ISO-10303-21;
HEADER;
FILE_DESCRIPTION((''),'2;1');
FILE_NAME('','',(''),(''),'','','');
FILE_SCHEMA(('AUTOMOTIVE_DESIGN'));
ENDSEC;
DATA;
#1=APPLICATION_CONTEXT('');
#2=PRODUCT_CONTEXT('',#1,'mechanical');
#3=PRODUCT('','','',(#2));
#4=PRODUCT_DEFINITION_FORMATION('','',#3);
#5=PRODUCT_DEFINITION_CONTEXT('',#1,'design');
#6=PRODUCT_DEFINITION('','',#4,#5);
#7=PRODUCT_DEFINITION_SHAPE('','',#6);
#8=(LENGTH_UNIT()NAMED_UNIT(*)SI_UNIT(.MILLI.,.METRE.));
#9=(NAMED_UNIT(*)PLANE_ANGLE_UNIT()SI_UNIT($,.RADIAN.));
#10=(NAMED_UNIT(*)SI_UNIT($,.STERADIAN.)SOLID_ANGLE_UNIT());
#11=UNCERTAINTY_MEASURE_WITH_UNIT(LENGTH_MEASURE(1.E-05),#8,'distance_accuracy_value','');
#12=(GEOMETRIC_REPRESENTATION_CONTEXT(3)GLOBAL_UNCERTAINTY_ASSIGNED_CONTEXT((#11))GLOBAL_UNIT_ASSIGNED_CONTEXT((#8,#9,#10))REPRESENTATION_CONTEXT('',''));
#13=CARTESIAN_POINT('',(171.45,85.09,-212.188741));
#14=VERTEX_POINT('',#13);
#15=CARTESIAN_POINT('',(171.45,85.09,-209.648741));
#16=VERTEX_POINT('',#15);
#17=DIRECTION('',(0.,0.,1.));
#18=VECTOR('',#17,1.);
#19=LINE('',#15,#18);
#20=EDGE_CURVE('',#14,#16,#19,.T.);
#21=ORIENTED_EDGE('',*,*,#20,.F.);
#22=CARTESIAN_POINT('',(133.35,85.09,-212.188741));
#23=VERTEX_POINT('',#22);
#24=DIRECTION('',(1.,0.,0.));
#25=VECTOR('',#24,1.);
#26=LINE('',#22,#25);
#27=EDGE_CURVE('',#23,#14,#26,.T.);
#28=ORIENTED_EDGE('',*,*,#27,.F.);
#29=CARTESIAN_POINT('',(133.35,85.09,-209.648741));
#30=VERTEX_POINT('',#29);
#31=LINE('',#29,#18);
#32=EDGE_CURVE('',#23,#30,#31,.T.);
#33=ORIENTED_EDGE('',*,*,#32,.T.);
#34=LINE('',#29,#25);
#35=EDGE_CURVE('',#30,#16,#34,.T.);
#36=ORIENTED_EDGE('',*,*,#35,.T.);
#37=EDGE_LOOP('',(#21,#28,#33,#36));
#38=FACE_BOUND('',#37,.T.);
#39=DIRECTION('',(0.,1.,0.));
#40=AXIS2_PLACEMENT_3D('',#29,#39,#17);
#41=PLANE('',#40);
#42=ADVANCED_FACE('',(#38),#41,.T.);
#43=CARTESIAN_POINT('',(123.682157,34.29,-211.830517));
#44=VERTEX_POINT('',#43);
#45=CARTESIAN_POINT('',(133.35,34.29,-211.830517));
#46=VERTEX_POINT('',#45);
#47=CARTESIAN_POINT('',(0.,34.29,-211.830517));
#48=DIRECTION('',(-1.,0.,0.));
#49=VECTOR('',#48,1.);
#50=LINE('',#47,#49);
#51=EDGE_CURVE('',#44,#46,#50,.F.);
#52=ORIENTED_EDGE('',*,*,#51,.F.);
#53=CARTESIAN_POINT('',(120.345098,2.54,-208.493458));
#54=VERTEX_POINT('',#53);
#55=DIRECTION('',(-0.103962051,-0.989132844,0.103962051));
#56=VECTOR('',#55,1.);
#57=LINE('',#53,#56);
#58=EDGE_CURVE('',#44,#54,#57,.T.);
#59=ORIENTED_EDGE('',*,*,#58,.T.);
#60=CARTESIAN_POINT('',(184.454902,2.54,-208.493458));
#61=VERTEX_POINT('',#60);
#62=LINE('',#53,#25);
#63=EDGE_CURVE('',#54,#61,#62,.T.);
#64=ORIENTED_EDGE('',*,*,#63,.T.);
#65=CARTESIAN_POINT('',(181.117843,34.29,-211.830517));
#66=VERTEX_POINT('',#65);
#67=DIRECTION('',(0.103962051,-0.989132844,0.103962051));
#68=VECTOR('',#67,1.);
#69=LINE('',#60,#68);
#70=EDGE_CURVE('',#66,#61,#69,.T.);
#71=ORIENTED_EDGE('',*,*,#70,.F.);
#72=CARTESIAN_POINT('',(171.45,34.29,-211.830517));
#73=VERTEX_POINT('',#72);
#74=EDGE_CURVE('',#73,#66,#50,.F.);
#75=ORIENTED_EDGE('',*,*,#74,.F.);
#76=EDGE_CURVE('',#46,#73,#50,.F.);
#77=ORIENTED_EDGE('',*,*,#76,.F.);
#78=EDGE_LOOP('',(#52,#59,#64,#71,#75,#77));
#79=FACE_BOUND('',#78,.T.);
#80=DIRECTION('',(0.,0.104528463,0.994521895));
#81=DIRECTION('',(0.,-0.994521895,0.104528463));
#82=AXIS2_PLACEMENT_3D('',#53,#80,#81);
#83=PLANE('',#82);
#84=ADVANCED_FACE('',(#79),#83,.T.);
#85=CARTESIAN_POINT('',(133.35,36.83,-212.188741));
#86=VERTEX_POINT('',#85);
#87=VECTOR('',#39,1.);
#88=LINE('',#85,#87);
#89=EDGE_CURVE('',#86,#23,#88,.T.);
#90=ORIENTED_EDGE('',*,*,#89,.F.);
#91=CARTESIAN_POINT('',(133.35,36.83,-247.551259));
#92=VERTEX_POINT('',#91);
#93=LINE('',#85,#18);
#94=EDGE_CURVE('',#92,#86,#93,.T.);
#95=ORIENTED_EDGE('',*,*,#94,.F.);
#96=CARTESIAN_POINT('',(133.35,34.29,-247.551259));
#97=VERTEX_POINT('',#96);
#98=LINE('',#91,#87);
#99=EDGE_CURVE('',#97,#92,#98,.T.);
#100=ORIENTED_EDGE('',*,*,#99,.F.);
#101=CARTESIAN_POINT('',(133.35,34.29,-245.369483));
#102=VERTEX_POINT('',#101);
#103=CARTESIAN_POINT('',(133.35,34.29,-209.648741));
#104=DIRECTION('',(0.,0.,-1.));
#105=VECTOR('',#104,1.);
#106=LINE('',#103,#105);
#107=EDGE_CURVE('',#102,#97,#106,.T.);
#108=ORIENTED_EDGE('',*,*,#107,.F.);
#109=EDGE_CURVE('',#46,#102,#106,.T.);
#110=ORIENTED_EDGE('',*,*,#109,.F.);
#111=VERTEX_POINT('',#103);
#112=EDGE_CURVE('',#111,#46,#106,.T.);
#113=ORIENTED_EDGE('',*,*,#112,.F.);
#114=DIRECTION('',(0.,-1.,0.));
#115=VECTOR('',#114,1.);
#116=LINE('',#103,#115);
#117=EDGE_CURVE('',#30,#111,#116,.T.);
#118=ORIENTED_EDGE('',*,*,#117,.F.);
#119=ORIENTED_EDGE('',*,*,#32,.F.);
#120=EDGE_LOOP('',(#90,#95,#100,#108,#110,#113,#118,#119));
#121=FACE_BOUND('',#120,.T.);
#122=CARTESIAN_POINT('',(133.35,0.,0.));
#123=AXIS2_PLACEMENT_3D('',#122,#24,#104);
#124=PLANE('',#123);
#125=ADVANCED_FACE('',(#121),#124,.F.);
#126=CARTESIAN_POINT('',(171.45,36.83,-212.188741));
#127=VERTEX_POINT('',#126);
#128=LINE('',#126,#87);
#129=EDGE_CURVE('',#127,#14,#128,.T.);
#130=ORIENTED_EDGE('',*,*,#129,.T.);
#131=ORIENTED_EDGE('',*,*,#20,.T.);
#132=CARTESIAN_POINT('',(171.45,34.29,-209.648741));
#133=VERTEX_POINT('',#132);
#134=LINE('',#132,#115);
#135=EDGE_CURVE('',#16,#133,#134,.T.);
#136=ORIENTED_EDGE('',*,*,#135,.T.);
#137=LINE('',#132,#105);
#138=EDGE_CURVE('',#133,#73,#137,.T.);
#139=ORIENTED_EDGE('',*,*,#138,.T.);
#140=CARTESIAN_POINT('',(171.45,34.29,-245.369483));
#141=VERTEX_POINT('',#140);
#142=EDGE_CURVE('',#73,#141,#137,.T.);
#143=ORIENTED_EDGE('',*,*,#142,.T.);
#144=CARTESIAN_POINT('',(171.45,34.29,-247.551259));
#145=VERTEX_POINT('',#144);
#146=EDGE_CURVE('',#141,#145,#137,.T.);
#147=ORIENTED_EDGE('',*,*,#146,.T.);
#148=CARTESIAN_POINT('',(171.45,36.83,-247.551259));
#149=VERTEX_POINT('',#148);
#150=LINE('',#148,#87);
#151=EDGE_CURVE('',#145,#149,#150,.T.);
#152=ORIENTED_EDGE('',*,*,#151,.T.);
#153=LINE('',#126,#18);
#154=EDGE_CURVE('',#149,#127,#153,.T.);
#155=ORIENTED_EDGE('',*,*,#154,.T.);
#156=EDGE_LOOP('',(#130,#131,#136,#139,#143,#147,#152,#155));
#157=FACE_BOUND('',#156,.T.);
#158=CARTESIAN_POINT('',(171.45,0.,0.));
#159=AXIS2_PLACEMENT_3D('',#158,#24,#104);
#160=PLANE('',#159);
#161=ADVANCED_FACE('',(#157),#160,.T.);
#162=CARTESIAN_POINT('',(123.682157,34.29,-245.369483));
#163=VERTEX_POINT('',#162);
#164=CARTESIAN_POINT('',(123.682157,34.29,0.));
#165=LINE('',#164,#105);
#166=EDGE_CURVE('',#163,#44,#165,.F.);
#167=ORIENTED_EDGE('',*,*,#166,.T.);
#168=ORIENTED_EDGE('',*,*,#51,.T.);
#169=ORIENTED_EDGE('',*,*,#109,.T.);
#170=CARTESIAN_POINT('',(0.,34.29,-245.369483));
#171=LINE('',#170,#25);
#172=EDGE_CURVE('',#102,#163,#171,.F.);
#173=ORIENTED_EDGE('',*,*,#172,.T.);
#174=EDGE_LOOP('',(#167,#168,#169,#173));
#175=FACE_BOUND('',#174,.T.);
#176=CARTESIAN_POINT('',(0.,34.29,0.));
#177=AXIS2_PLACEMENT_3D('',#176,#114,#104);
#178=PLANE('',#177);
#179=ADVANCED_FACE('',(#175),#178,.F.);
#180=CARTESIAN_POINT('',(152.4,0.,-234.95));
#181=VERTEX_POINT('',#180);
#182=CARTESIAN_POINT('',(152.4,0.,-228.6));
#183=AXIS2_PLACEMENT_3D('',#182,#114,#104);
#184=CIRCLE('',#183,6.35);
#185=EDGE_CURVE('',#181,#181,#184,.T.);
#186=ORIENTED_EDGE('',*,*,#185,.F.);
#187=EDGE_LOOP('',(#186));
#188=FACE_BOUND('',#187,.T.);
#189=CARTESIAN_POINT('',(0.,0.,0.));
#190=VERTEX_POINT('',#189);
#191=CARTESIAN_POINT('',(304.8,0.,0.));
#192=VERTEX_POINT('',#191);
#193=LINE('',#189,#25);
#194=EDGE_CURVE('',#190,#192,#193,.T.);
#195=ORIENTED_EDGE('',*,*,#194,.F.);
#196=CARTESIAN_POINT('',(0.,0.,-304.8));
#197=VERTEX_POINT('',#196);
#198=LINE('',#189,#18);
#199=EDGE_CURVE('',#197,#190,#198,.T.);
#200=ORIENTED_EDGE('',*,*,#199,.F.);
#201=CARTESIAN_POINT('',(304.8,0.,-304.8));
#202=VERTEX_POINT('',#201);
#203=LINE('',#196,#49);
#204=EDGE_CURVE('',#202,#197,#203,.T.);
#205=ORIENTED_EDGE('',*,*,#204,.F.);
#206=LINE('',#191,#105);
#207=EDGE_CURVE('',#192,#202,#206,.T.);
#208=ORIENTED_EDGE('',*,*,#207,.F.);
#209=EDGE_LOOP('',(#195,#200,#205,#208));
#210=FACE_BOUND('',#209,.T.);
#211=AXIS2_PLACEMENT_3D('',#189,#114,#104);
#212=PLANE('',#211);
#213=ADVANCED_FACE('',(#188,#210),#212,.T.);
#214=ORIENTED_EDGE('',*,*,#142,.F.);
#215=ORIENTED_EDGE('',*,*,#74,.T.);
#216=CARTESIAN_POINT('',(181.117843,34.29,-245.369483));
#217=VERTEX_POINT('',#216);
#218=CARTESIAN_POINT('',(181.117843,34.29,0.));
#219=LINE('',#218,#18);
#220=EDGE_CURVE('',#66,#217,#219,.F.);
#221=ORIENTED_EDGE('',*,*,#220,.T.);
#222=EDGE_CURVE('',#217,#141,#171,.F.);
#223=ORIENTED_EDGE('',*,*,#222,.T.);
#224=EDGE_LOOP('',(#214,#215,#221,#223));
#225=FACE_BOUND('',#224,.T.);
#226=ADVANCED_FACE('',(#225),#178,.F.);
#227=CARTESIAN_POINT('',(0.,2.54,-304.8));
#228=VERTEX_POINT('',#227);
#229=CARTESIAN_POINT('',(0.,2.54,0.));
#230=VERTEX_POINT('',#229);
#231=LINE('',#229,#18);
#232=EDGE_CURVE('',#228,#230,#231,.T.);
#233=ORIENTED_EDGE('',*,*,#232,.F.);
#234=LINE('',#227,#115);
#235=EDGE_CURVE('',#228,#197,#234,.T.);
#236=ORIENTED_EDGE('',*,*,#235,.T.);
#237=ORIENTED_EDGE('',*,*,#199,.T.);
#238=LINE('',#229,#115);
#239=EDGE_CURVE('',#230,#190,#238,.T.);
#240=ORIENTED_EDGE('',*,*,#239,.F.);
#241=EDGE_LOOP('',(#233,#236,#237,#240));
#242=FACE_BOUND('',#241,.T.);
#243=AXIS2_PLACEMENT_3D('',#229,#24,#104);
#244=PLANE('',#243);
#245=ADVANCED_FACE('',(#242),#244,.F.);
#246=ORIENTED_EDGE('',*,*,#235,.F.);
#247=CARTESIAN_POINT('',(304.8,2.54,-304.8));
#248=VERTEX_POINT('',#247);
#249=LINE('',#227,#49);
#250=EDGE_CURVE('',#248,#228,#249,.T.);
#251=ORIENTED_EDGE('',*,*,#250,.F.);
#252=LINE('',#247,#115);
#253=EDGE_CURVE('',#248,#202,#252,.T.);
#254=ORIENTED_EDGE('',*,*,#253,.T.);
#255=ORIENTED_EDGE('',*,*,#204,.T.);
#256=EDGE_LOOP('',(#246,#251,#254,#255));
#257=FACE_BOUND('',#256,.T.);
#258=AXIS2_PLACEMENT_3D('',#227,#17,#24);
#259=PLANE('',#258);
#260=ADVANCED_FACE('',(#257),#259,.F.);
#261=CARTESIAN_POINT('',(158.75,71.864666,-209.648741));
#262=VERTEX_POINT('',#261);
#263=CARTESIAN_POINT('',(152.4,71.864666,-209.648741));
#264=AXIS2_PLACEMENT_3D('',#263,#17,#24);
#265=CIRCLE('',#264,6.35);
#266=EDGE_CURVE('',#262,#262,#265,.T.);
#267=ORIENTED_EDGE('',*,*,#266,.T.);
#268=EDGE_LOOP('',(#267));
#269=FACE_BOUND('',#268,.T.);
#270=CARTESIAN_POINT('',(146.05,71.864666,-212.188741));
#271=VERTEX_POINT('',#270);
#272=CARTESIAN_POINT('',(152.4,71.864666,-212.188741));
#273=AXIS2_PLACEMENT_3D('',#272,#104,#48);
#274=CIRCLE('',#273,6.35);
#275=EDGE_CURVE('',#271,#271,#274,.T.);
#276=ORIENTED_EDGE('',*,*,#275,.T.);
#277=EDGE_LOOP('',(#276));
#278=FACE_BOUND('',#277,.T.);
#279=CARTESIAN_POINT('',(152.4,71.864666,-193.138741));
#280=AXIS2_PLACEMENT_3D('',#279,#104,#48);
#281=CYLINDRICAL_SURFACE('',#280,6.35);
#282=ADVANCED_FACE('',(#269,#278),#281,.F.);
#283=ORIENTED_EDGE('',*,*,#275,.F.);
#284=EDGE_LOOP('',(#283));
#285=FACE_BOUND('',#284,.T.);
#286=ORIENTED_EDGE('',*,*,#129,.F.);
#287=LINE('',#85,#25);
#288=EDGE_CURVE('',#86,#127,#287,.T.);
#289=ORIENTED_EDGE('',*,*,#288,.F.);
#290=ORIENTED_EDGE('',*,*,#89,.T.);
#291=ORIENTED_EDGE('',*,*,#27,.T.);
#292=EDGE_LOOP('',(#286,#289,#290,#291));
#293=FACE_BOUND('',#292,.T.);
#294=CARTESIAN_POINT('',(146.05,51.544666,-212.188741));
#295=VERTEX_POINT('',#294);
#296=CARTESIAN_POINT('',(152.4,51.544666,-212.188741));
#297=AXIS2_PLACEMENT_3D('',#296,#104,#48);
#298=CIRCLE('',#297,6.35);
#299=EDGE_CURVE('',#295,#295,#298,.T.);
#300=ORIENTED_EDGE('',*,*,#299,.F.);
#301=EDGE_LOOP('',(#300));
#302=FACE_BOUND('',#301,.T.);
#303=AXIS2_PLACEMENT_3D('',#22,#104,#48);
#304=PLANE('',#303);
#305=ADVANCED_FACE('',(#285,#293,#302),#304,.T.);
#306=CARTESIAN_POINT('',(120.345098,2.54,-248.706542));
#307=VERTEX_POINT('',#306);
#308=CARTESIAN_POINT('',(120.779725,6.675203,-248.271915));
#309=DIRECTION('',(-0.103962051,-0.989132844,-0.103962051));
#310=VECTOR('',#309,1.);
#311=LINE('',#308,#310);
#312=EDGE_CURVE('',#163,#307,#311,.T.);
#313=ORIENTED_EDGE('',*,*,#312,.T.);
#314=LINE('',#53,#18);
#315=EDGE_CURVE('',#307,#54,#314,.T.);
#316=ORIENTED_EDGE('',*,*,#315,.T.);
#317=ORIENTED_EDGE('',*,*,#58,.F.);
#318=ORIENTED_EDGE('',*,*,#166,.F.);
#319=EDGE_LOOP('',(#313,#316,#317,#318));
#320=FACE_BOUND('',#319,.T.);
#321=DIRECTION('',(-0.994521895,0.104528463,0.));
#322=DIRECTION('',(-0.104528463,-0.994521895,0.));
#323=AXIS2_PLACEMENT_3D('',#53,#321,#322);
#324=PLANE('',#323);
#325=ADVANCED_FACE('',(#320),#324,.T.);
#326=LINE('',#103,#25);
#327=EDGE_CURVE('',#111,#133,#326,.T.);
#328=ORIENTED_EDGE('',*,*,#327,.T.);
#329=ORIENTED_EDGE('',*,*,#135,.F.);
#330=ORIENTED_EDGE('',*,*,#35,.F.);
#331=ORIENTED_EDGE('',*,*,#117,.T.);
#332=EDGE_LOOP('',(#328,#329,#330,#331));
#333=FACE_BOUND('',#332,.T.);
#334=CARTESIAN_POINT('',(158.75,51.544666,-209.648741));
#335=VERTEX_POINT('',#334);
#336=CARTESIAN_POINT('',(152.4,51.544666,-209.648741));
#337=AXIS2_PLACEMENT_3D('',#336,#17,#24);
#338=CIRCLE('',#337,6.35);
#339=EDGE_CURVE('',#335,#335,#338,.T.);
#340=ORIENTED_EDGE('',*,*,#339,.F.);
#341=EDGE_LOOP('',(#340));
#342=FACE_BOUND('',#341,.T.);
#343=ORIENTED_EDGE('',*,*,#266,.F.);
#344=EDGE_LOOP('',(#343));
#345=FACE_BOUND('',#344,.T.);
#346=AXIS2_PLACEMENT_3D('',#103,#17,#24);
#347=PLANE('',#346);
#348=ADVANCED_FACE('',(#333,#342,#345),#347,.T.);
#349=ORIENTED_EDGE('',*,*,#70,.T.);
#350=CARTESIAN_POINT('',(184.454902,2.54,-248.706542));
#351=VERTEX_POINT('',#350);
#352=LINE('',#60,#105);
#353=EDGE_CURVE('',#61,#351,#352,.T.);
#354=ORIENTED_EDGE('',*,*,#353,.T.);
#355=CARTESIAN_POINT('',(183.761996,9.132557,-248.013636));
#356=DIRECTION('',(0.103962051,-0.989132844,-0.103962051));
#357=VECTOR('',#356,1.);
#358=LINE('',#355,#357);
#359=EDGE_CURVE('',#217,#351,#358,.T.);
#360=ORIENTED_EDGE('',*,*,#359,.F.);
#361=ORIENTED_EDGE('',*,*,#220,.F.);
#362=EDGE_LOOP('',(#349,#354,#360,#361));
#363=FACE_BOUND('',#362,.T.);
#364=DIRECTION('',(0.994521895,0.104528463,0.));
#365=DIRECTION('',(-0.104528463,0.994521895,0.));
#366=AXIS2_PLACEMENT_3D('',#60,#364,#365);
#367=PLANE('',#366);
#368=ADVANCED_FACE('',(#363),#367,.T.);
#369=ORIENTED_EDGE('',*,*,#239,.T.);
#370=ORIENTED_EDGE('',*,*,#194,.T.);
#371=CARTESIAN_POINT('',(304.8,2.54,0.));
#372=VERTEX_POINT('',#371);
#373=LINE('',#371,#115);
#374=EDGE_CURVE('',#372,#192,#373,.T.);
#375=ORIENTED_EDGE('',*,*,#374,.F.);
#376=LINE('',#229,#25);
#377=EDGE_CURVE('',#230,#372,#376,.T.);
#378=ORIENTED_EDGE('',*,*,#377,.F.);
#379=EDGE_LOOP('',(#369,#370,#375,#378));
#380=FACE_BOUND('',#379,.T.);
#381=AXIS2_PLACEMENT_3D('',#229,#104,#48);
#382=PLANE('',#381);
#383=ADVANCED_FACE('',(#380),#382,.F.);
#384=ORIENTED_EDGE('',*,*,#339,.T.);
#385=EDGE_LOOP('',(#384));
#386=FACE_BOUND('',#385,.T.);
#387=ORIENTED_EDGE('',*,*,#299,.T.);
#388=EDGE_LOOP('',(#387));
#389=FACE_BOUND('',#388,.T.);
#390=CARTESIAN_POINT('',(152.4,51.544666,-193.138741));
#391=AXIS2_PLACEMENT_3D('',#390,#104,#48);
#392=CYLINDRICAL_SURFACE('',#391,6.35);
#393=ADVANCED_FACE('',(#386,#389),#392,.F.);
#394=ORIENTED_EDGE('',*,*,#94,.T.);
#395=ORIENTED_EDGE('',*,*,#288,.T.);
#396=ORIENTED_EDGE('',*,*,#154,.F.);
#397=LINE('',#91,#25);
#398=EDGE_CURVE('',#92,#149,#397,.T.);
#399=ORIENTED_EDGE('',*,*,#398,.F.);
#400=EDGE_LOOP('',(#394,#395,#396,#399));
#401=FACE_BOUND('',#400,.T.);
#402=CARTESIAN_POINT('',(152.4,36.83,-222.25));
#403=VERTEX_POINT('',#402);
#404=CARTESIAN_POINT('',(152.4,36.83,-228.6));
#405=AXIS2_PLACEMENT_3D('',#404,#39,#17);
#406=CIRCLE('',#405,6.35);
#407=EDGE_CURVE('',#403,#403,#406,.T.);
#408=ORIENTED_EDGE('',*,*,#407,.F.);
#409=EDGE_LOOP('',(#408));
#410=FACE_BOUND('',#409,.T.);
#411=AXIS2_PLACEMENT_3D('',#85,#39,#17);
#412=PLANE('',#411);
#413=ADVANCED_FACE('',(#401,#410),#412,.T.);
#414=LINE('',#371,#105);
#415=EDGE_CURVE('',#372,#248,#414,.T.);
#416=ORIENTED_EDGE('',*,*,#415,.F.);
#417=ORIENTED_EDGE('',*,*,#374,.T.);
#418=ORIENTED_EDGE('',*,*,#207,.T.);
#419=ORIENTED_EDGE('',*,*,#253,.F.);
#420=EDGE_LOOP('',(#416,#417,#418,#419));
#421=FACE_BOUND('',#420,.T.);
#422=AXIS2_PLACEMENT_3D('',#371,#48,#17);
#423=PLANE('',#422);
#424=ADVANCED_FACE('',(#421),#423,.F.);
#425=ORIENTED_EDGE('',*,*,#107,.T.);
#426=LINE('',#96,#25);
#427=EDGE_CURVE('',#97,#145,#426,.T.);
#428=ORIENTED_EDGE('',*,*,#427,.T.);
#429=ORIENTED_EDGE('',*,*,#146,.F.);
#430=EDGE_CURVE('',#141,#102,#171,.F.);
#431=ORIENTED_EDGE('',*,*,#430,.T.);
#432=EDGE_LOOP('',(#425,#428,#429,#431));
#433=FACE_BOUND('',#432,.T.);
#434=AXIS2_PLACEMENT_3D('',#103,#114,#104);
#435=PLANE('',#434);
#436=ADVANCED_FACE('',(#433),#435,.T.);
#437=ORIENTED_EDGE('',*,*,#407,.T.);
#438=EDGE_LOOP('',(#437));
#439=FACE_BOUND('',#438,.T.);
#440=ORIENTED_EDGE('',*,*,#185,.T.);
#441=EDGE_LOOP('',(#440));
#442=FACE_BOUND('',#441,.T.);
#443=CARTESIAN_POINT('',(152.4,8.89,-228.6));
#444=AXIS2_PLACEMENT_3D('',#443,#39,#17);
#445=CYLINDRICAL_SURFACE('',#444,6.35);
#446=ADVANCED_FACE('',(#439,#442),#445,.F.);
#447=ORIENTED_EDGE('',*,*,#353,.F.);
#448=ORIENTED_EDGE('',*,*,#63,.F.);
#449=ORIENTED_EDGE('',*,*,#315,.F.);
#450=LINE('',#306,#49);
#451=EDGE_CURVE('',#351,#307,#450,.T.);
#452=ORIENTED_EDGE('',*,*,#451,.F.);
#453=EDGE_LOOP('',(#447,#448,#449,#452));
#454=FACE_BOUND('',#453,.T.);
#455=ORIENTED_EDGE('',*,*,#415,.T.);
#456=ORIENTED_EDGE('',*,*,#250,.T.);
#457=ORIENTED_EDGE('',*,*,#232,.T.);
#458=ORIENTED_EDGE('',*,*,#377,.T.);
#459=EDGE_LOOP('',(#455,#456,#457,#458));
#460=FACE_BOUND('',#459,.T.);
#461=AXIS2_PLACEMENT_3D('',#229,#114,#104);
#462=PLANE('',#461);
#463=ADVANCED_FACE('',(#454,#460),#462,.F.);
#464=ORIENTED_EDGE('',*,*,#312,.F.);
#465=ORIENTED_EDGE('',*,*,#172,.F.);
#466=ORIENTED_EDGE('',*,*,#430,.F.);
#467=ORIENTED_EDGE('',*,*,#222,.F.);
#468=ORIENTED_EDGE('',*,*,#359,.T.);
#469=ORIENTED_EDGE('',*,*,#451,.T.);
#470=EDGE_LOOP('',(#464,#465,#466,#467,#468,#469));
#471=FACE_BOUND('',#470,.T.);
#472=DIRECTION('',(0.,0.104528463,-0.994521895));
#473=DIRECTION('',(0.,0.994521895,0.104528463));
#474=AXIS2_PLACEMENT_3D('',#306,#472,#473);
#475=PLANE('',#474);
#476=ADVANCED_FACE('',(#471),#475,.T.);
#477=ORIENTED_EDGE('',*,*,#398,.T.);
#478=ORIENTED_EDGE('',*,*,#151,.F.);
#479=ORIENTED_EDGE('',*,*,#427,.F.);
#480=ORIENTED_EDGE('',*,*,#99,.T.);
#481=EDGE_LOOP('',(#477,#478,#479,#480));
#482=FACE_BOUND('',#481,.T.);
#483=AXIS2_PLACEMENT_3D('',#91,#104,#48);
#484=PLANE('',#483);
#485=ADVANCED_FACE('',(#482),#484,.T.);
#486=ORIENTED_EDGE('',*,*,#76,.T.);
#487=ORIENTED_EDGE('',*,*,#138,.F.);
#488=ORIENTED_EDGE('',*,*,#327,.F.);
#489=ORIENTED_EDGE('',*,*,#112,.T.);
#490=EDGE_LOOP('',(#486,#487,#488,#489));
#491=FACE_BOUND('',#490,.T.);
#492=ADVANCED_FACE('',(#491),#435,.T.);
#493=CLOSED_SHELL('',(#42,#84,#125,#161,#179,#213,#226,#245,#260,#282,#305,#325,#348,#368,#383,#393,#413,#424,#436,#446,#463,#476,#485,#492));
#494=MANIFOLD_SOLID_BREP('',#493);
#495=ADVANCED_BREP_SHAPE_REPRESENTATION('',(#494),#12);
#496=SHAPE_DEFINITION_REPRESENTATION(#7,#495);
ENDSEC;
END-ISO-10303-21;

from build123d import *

# Parameters (mm, degrees)
SKETCH1_W                = 304.8
SKETCH1_H                = 304.8
BOSS_EXTRUDE1_DEPTH      = 2.54
SKETCH2_W                = 64.109804122
SKETCH2_H                = 40.213084064
BOSS_EXTRUDE2_DEPTH      = 31.75
BOSS_EXTRUDE2_TAPER      = 6
SKETCH3_R                = 6.35
CUT_EXTRUDE1_DEPTH       = 25.4
BOSS_EXTRUDE3_DEPTH      = 19.05
BOSS_EXTRUDE3_DEPTH_BACK = 19.05
SKETCH5_R                = 6.35
CUT_EXTRUDE2_DEPTH       = 50.8
SKETCH6_R                = 6.35
CUT_EXTRUDE3_DEPTH       = 19.05


with BuildPart() as part:
    # Sketch1 → Boss-Extrude1 (new body)
    with BuildSketch(Plane(origin=(0, 0, 0), x_dir=(1, 0, 0), z_dir=(0, 1, 0))):
        with Locations((152.4, 152.4)):
            Rectangle(SKETCH1_W, SKETCH1_H)
    extrude(amount=BOSS_EXTRUDE1_DEPTH)

    # Sketch2 → Boss-Extrude2 (add)
    with BuildSketch(Plane(origin=(0, 2.54, 0), x_dir=(1, 0, 0), z_dir=(0, 1, 0))):
        with Locations((152.4, 228.6)):
            Rectangle(SKETCH2_W, SKETCH2_H)
    extrude(amount=BOSS_EXTRUDE2_DEPTH, taper=BOSS_EXTRUDE2_TAPER)

    # Sketch3 → Cut-Extrude1 (cut)
    with BuildSketch(Plane(origin=(0, 34.29, 0), x_dir=(1, 0, 0), z_dir=(0, 1, 0))):
        with Locations((152.4, 228.6)):
            Circle(SKETCH3_R)
    extrude(amount=-CUT_EXTRUDE1_DEPTH, mode=Mode.SUBTRACT)

    # Sketch4 → Boss-Extrude3 (add, two sides)
    with BuildSketch(Plane(origin=(152.4, 0, 0), x_dir=(0, 0, -1), z_dir=(1, 0, 0))) as boss_extrude3_sk:
        Polygon((209.648741009, 34.29), (247.551258991, 34.29), (247.551258991, 36.83), (212.188741009, 36.83), (212.188741009, 77.47), (212.188741009, 85.09), (209.648741009, 85.09), align=None)
    extrude(amount=BOSS_EXTRUDE3_DEPTH)
    extrude(boss_extrude3_sk.sketch, amount=-BOSS_EXTRUDE3_DEPTH_BACK)

    # Sketch5 → Cut-Extrude2 (cut)
    with BuildSketch(Plane(origin=(0, 36.83, 0), x_dir=(1, 0, 0), z_dir=(0, 1, 0))):
        with Locations((152.4, 228.6)):
            Circle(SKETCH5_R)
    extrude(amount=-CUT_EXTRUDE2_DEPTH, mode=Mode.SUBTRACT)

    # Sketch6 → Cut-Extrude3 (cut)
    with BuildSketch(Plane(origin=(0, 0, -212.188741009), x_dir=(-1, 0, 0), z_dir=(0, 0, -1))):
        with Locations((-152.4, 71.864665845)):
            Circle(SKETCH6_R)
        with Locations((-152.4, 51.544665845)):
            Circle(SKETCH6_R)
    extrude(amount=-CUT_EXTRUDE3_DEPTH, mode=Mode.SUBTRACT)


solid = part.part
